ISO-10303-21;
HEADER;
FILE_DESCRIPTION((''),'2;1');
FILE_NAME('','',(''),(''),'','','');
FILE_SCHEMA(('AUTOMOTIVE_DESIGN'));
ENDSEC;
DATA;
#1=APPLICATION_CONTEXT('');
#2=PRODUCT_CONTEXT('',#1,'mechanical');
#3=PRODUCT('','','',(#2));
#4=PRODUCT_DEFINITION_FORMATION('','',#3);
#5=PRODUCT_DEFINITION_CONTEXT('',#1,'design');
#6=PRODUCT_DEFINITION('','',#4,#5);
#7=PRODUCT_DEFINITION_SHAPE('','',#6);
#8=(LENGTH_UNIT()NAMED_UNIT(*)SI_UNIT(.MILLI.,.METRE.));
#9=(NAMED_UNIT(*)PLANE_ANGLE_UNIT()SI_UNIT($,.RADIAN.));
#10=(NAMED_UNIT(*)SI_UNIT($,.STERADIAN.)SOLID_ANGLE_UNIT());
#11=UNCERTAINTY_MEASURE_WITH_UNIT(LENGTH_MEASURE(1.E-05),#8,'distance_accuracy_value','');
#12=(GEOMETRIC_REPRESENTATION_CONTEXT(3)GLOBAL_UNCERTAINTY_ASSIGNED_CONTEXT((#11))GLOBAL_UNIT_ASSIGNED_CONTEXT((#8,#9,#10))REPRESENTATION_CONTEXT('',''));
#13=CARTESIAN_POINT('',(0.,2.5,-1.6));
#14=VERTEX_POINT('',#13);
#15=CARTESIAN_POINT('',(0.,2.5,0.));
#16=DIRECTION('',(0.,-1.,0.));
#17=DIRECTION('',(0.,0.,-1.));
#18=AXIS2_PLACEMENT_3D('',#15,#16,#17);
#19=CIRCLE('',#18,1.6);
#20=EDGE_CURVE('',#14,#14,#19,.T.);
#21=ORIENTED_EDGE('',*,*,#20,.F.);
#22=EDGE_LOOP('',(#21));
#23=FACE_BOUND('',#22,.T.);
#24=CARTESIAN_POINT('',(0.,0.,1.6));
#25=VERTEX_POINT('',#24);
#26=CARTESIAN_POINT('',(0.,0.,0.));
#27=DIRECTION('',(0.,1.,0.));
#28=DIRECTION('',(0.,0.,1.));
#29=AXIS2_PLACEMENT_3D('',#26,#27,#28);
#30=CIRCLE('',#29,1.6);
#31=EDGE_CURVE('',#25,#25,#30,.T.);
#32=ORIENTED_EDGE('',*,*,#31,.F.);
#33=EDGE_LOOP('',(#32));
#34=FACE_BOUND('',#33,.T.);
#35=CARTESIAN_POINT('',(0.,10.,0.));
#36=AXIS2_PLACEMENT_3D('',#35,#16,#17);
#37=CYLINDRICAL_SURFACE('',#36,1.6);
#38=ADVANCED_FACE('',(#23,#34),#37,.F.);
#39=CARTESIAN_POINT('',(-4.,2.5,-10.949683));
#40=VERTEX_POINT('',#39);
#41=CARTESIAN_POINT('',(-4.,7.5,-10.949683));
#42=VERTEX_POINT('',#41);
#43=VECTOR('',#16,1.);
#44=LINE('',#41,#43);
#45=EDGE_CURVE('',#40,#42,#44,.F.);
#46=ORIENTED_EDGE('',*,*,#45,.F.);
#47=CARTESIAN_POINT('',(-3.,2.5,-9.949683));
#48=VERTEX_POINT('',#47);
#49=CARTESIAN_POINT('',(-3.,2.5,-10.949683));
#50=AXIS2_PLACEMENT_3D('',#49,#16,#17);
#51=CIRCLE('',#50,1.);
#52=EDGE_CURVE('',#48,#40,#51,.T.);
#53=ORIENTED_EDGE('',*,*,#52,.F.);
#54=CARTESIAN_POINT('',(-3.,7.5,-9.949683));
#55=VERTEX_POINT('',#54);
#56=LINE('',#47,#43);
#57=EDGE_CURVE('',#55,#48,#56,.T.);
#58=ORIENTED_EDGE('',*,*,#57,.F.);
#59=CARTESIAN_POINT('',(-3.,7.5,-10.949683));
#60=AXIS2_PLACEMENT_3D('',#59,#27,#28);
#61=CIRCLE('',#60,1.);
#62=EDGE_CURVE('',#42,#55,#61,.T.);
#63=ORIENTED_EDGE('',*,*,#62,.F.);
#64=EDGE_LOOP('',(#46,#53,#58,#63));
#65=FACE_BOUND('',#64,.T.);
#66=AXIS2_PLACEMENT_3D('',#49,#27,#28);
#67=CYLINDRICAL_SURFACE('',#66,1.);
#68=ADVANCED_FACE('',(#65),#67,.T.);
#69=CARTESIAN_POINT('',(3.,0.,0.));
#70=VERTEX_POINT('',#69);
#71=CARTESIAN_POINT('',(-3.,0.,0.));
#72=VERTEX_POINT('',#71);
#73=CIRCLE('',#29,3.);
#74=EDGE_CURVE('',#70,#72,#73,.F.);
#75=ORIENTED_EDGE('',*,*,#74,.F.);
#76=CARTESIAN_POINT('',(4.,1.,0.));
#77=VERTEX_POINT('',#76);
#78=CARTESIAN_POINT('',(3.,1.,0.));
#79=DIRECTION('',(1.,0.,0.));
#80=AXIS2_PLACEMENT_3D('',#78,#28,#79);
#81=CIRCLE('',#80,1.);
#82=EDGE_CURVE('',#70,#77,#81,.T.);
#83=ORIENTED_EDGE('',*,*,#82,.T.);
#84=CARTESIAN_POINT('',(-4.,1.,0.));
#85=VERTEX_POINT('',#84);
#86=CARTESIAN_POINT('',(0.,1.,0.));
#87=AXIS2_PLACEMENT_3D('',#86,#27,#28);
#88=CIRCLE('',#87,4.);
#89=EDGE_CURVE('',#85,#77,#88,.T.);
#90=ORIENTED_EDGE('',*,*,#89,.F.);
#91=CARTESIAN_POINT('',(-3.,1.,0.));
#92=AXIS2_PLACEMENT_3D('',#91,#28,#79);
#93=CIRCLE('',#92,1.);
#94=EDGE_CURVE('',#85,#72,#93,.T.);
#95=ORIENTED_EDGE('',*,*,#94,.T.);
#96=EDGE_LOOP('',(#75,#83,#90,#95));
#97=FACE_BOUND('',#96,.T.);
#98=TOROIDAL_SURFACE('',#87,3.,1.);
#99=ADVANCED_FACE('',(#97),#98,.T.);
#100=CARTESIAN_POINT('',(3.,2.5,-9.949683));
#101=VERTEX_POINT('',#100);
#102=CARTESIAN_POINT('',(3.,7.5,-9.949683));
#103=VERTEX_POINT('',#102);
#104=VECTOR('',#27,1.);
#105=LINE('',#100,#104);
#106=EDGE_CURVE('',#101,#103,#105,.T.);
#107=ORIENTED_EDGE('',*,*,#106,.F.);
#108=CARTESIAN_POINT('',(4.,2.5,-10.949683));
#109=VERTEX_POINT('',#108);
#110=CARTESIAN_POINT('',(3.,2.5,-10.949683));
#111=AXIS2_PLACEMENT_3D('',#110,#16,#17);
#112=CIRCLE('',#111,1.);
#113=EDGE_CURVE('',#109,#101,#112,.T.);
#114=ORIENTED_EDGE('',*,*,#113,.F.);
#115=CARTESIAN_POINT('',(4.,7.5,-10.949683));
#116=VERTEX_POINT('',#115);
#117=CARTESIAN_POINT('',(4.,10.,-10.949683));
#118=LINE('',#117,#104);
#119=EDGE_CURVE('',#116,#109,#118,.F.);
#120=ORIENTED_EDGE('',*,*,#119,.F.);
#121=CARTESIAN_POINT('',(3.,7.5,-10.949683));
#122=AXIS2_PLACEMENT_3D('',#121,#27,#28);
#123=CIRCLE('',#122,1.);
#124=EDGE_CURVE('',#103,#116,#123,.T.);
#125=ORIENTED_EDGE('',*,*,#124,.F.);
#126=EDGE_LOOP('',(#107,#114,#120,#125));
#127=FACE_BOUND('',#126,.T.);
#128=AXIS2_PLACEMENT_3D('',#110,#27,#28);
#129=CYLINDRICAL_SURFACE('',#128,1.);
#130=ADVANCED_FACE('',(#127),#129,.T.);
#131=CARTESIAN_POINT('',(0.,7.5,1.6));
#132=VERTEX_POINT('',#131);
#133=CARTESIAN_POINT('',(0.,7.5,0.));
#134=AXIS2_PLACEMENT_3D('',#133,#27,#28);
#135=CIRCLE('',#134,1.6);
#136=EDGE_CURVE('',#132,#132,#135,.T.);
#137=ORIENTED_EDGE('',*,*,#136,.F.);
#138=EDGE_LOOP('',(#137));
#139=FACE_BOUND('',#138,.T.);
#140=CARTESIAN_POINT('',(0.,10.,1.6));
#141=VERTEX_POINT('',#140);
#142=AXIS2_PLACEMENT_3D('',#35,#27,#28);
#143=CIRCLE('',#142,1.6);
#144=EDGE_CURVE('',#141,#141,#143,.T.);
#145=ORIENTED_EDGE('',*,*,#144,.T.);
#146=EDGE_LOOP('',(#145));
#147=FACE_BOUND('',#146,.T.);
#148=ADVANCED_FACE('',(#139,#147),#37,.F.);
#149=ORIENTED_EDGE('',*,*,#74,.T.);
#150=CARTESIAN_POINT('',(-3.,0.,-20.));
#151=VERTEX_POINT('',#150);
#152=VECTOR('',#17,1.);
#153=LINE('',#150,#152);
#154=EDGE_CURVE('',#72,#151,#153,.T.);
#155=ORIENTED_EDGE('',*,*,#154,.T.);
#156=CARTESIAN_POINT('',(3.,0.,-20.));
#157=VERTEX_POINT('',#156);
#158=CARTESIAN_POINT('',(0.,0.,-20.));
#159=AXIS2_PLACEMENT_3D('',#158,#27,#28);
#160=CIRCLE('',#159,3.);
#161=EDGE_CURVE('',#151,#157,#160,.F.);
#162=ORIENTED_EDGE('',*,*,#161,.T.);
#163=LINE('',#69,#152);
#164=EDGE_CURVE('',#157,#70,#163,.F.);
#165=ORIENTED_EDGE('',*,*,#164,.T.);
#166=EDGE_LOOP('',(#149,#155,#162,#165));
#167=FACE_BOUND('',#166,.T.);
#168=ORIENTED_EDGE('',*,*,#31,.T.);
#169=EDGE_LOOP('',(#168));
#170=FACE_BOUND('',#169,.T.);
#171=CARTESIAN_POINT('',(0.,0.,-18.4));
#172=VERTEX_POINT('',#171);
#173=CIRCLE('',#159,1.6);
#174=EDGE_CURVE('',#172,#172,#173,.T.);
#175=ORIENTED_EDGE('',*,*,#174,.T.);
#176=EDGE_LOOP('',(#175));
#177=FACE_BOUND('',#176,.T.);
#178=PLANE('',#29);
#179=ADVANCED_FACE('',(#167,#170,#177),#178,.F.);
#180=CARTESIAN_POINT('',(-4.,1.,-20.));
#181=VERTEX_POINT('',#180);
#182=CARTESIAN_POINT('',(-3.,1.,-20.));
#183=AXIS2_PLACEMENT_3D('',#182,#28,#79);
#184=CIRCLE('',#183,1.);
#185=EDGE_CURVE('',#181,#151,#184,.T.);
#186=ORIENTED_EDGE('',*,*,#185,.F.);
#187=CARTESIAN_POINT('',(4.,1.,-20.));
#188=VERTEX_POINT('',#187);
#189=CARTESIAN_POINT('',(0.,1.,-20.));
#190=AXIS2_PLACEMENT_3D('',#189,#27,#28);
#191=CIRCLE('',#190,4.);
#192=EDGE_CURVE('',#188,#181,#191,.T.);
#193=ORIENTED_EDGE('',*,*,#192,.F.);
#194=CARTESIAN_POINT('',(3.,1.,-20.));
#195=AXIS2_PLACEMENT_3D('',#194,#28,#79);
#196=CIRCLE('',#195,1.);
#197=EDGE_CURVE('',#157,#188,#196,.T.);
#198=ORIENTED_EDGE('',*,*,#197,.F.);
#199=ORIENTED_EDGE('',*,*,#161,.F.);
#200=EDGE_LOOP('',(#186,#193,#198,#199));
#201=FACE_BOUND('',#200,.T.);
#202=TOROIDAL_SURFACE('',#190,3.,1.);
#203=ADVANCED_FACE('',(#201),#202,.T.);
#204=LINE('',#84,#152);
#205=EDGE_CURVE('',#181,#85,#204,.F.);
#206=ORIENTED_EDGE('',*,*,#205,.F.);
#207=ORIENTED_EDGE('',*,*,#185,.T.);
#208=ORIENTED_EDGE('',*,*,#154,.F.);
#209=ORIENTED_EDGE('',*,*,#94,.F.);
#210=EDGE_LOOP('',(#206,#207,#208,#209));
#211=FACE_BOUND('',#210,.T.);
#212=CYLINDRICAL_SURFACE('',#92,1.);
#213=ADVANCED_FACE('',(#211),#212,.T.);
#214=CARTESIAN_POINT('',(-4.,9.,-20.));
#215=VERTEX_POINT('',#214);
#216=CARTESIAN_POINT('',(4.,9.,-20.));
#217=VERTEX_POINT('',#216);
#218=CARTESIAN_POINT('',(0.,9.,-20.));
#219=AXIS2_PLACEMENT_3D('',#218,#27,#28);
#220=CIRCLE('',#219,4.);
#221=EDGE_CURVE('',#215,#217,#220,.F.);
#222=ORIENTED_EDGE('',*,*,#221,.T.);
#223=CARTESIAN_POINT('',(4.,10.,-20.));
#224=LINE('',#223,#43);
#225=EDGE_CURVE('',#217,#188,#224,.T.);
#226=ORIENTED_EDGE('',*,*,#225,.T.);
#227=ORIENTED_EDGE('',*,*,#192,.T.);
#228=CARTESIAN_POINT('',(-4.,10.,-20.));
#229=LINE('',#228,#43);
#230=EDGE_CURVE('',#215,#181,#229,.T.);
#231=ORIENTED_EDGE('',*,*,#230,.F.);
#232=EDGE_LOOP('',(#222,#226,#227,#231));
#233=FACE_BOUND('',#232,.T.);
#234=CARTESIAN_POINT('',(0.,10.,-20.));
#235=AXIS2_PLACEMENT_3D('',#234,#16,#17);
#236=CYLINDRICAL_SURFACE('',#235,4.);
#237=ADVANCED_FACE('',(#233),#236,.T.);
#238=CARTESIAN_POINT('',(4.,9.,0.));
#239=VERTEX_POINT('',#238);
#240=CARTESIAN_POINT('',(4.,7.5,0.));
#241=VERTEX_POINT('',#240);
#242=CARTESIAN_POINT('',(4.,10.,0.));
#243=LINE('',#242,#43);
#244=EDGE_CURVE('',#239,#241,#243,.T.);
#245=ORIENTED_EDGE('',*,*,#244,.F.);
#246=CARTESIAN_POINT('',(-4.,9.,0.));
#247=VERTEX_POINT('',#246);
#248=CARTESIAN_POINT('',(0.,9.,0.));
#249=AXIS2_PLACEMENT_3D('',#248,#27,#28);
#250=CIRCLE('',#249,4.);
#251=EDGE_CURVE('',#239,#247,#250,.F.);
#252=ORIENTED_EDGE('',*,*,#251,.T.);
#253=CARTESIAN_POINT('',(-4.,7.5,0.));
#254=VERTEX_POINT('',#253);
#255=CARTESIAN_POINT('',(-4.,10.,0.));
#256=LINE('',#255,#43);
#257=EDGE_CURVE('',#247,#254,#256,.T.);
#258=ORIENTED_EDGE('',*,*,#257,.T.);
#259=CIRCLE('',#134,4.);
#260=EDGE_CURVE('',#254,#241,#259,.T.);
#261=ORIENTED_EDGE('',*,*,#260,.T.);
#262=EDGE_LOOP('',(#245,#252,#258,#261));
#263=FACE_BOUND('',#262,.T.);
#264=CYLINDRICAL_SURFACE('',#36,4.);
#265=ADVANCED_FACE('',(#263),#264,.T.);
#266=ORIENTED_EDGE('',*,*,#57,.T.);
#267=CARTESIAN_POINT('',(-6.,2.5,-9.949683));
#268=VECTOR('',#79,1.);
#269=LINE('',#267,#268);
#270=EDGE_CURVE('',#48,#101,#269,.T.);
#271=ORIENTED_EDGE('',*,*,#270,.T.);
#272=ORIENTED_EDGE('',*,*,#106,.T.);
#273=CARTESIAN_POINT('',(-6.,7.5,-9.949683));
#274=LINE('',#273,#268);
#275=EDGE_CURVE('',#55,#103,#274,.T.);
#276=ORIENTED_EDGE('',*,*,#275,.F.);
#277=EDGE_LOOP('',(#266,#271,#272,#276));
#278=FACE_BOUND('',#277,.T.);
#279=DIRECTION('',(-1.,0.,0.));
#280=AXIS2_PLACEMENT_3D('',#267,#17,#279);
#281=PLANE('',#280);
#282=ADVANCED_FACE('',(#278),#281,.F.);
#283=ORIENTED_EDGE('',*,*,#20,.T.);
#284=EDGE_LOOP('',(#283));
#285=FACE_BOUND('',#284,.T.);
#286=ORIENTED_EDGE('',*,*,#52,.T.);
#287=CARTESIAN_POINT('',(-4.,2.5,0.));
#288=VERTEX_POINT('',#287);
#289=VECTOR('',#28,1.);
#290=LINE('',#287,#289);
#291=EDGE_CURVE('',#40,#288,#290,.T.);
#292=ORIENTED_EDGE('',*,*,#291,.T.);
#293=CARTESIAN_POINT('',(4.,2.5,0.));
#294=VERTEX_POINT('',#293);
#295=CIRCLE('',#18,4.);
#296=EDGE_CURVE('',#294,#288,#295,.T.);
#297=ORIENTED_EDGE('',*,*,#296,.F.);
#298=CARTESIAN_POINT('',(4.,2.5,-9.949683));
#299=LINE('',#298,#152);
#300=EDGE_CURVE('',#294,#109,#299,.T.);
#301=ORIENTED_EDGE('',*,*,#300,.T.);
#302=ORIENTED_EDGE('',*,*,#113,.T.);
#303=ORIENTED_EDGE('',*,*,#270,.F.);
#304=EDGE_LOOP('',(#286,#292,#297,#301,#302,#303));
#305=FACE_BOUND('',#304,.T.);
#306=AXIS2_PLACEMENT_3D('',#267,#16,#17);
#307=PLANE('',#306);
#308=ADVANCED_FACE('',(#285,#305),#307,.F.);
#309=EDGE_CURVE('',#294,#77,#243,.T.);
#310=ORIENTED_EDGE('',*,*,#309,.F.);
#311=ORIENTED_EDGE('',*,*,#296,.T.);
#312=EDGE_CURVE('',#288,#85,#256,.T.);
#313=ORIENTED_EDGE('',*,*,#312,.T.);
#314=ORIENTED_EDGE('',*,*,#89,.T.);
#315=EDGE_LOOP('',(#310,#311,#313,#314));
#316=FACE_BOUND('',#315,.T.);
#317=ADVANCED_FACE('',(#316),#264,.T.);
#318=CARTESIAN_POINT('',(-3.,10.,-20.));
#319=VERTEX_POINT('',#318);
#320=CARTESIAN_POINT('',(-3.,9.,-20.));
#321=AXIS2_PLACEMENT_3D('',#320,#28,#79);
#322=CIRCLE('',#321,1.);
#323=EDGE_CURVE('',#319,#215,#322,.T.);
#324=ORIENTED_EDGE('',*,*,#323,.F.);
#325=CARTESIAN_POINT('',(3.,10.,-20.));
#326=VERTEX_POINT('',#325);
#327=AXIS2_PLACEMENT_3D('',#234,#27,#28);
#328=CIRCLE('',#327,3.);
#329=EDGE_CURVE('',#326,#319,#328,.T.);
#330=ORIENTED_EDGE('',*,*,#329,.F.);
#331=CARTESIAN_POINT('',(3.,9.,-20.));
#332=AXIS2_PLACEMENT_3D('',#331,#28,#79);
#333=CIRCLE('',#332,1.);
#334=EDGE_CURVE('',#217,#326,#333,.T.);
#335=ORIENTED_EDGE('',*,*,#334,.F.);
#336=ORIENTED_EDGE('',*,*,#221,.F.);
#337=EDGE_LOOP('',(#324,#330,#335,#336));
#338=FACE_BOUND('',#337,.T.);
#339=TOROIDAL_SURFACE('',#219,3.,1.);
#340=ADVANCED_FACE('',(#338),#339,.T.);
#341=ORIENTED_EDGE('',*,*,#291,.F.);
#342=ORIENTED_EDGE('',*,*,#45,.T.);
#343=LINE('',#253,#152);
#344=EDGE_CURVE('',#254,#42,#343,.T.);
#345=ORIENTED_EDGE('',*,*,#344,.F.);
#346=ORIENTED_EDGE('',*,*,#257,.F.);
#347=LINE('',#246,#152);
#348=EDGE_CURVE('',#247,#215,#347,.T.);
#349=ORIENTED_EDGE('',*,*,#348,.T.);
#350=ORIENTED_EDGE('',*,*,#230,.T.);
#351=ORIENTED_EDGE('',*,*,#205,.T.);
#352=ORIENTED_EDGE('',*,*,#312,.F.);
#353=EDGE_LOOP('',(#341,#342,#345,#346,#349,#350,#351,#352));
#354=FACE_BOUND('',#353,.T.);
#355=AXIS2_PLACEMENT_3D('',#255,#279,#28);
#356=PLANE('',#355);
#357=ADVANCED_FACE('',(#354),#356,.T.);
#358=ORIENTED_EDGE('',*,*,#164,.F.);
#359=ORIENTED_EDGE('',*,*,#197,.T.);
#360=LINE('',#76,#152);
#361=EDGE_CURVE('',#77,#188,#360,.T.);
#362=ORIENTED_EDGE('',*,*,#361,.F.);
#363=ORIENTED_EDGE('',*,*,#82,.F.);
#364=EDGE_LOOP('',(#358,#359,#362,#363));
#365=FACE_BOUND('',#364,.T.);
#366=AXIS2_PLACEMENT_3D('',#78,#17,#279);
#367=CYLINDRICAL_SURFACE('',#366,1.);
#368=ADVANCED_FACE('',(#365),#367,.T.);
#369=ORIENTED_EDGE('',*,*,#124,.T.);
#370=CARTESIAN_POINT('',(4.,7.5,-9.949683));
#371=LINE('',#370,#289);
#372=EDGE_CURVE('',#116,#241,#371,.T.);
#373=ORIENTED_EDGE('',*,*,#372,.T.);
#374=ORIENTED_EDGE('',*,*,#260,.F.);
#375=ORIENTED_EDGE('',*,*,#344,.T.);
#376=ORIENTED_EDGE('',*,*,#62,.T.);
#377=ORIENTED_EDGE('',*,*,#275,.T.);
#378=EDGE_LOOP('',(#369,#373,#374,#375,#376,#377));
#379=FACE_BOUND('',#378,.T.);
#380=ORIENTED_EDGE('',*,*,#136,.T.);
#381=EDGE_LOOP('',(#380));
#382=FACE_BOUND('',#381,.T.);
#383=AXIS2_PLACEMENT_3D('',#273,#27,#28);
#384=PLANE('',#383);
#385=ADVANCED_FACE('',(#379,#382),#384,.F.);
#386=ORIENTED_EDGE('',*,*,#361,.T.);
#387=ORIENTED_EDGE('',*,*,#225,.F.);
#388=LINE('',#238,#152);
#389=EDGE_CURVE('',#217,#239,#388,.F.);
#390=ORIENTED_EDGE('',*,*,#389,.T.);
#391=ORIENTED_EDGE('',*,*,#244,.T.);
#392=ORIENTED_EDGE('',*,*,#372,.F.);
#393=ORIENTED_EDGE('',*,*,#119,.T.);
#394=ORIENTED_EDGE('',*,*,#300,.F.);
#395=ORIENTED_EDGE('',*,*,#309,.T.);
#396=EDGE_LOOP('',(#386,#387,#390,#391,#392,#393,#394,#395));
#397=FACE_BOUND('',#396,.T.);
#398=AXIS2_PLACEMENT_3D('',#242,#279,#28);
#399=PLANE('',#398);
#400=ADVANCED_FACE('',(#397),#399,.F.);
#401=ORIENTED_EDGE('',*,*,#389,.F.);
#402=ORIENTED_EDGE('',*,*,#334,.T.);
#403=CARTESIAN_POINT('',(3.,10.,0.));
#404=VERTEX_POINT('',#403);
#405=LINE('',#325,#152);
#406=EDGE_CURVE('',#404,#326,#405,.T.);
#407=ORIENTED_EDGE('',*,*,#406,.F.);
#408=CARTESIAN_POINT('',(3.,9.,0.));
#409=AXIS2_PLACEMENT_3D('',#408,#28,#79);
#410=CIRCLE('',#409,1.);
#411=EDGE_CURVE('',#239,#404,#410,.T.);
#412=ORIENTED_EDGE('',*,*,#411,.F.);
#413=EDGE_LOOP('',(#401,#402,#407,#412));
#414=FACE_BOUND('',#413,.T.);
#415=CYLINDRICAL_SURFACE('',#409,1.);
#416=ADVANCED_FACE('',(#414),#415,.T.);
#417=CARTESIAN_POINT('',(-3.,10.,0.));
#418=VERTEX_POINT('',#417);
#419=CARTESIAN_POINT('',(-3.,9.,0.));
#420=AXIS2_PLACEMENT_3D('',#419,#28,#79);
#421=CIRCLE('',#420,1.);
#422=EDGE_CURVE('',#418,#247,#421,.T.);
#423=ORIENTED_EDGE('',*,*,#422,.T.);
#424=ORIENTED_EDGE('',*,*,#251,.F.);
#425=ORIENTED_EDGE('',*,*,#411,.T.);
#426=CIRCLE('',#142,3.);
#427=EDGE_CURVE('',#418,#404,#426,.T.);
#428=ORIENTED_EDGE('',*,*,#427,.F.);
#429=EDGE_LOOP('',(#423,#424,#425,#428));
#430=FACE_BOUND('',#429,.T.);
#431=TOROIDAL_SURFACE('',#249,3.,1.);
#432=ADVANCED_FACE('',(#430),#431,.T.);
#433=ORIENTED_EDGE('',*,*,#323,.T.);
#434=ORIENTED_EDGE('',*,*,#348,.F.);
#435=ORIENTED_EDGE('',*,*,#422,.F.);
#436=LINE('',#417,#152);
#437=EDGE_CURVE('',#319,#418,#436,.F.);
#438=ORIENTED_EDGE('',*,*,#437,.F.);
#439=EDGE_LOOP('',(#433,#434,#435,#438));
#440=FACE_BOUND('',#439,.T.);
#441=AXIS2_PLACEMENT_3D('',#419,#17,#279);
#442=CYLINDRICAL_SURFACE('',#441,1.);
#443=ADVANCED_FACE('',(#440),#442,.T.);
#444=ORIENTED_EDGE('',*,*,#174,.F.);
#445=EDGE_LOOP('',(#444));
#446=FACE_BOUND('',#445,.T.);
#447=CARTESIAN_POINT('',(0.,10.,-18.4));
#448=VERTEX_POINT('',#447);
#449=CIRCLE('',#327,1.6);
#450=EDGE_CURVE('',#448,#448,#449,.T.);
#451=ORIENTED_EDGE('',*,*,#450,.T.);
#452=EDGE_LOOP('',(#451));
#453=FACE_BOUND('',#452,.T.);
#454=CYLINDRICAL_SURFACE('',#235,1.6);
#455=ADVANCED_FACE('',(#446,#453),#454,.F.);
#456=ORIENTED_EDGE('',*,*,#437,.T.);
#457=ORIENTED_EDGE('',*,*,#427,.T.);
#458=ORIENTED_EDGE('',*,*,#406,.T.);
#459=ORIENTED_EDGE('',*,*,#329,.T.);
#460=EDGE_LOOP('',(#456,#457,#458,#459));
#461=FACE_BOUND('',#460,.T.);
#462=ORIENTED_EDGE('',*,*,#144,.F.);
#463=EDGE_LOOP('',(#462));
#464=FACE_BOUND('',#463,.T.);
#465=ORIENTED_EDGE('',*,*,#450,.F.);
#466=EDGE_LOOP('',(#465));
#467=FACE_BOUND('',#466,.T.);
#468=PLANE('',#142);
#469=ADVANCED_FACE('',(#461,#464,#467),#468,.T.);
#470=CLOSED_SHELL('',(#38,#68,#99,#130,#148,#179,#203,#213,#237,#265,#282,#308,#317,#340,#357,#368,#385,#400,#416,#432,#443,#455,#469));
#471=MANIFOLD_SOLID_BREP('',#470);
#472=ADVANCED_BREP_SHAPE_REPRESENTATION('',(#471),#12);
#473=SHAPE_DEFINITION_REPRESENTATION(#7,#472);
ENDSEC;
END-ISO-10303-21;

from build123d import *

# Parameters (mm, degrees)
SKETCH_1_R          = 1.6
EXTRUDE_1_DEPTH     = 10
SKETCH_2_W          = 19.899365944
SKETCH_2_H          = 5
CUT_EXTRUDE_1_DEPTH = 10
FILLET_1_R          = 1


with BuildPart() as part:
    # 草图1 → 凸台-拉伸1 (new body)
    with BuildSketch(Plane(origin=(0, 0, 0), x_dir=(1, 0, 0), z_dir=(0, 1, 0))):
        with BuildLine():
            Line((-4, 0), (-4, 20))
            ThreePointArc((-4, 20), (0, 24), (4, 20))
            Line((4, 20), (4, 0))
            ThreePointArc((4, 0), (0, -4), (-4, 0))
        make_face()
        with Locations((0, 20)):
            Circle(SKETCH_1_R, mode=Mode.SUBTRACT)
        Circle(SKETCH_1_R, mode=Mode.SUBTRACT)
    extrude(amount=EXTRUDE_1_DEPTH)

    # 草图2 → 切除-拉伸1 (cut)
    with BuildSketch(Plane(origin=(4, 0, 0), x_dir=(0, 0, -1), z_dir=(1, 0, 0))):
        with Locations((0, 5)):
            Rectangle(SKETCH_2_W, SKETCH_2_H)
    extrude(amount=-CUT_EXTRUDE_1_DEPTH, mode=Mode.SUBTRACT)

    # 圆角1
    fillet_1_edges = [part.edges().sort_by_distance(p)[0] for p in [
        (4, 10, -10),
        (0, 10, -24),
        (-4, 5, -9.949682972),
        (-4, 10, -10),
        (4, 5, -9.949682972),
        (0, 10, 4),
        (0, 0, 4),
        (-4, 0, -10),
        (0, 0, -24),
        (4, 0, -10),
    ]]
    fillet(fillet_1_edges, radius=FILLET_1_R)


solid = part.part
